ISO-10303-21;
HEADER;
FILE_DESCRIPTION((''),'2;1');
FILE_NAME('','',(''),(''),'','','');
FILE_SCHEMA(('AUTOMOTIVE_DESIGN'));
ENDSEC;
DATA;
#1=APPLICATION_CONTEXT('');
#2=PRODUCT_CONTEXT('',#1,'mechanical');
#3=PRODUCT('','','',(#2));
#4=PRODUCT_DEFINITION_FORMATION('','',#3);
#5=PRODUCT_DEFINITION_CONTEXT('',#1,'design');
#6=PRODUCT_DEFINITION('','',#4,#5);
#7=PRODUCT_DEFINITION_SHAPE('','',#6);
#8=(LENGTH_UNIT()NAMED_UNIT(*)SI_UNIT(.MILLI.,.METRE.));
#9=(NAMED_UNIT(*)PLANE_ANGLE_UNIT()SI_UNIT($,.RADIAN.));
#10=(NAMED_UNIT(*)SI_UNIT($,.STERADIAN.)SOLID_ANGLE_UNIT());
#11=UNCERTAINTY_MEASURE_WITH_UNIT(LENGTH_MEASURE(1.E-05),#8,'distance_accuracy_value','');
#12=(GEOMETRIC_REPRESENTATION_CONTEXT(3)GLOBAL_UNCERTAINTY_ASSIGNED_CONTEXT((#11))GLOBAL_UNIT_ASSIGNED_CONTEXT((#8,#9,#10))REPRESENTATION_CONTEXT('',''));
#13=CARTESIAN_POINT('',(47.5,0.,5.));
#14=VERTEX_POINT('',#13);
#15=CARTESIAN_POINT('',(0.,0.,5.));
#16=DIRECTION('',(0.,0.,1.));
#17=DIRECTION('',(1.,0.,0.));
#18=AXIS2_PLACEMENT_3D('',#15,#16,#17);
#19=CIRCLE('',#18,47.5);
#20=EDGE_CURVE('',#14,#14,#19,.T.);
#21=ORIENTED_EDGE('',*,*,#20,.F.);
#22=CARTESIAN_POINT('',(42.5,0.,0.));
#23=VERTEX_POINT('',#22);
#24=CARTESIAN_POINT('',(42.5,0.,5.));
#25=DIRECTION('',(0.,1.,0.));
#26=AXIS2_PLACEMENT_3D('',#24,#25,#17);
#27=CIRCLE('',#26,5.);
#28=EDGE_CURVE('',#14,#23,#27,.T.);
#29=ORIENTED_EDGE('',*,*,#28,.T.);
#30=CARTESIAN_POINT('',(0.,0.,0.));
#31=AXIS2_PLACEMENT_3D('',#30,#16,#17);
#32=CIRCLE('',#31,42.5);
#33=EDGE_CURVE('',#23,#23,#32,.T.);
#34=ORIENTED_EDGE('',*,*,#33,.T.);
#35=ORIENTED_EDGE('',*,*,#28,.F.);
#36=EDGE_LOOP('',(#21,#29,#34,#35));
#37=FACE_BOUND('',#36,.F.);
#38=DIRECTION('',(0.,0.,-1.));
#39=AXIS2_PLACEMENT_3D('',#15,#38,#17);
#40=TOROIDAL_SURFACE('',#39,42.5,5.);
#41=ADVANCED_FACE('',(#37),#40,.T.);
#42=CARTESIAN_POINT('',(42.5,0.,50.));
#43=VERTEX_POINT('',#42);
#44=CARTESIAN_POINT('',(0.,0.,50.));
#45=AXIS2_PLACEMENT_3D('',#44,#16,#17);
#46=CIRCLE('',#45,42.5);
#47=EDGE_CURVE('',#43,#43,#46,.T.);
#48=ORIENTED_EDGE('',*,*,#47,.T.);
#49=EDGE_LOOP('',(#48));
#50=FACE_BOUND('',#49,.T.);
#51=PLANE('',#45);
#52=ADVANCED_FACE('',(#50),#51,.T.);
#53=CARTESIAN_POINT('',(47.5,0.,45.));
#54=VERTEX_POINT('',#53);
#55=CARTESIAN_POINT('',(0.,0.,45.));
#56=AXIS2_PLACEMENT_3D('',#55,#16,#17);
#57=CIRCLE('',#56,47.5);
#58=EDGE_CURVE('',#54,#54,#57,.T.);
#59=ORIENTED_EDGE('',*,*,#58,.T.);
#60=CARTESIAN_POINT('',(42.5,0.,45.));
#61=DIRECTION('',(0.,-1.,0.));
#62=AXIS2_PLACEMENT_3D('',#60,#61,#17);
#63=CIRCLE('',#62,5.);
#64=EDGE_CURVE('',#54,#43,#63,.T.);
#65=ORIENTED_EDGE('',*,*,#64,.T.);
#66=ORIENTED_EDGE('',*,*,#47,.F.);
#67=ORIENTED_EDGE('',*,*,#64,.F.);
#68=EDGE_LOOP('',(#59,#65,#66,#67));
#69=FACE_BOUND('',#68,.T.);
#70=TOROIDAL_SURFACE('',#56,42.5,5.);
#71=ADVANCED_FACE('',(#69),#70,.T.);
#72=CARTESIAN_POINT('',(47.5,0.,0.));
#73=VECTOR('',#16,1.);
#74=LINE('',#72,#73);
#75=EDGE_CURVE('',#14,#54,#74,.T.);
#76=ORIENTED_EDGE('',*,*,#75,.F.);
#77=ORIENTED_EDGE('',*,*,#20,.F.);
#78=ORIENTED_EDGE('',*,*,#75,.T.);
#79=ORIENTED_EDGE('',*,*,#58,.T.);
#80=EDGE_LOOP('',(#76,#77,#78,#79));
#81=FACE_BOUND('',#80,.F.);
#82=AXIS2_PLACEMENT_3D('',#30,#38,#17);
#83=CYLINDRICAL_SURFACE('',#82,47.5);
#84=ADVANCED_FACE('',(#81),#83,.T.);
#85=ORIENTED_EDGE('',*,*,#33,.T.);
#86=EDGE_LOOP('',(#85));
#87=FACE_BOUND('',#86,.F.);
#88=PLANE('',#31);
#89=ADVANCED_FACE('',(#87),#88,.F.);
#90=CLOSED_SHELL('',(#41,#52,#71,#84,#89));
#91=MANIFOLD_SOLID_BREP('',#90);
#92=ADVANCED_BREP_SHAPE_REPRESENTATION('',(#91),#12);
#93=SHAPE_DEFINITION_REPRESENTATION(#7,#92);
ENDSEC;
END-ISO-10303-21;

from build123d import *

# Parameters (mm, degrees)
SKETCH1_R           = 47.5
BOSS_EXTRUDE1_DEPTH = 50
FILLET1_R           = 5


with BuildPart() as part:
    # Sketch1 → Boss-Extrude1 (new body)
    with BuildSketch(Plane.XY):
        Circle(SKETCH1_R)
    extrude(amount=BOSS_EXTRUDE1_DEPTH)

    # Fillet1
    fillet1_edges = [part.edges().sort_by_distance(p)[0] for p in [
        (-47.5, 0, 0),
        (-47.5, 0, 50),
    ]]
    fillet(fillet1_edges, radius=FILLET1_R)


solid = part.part
